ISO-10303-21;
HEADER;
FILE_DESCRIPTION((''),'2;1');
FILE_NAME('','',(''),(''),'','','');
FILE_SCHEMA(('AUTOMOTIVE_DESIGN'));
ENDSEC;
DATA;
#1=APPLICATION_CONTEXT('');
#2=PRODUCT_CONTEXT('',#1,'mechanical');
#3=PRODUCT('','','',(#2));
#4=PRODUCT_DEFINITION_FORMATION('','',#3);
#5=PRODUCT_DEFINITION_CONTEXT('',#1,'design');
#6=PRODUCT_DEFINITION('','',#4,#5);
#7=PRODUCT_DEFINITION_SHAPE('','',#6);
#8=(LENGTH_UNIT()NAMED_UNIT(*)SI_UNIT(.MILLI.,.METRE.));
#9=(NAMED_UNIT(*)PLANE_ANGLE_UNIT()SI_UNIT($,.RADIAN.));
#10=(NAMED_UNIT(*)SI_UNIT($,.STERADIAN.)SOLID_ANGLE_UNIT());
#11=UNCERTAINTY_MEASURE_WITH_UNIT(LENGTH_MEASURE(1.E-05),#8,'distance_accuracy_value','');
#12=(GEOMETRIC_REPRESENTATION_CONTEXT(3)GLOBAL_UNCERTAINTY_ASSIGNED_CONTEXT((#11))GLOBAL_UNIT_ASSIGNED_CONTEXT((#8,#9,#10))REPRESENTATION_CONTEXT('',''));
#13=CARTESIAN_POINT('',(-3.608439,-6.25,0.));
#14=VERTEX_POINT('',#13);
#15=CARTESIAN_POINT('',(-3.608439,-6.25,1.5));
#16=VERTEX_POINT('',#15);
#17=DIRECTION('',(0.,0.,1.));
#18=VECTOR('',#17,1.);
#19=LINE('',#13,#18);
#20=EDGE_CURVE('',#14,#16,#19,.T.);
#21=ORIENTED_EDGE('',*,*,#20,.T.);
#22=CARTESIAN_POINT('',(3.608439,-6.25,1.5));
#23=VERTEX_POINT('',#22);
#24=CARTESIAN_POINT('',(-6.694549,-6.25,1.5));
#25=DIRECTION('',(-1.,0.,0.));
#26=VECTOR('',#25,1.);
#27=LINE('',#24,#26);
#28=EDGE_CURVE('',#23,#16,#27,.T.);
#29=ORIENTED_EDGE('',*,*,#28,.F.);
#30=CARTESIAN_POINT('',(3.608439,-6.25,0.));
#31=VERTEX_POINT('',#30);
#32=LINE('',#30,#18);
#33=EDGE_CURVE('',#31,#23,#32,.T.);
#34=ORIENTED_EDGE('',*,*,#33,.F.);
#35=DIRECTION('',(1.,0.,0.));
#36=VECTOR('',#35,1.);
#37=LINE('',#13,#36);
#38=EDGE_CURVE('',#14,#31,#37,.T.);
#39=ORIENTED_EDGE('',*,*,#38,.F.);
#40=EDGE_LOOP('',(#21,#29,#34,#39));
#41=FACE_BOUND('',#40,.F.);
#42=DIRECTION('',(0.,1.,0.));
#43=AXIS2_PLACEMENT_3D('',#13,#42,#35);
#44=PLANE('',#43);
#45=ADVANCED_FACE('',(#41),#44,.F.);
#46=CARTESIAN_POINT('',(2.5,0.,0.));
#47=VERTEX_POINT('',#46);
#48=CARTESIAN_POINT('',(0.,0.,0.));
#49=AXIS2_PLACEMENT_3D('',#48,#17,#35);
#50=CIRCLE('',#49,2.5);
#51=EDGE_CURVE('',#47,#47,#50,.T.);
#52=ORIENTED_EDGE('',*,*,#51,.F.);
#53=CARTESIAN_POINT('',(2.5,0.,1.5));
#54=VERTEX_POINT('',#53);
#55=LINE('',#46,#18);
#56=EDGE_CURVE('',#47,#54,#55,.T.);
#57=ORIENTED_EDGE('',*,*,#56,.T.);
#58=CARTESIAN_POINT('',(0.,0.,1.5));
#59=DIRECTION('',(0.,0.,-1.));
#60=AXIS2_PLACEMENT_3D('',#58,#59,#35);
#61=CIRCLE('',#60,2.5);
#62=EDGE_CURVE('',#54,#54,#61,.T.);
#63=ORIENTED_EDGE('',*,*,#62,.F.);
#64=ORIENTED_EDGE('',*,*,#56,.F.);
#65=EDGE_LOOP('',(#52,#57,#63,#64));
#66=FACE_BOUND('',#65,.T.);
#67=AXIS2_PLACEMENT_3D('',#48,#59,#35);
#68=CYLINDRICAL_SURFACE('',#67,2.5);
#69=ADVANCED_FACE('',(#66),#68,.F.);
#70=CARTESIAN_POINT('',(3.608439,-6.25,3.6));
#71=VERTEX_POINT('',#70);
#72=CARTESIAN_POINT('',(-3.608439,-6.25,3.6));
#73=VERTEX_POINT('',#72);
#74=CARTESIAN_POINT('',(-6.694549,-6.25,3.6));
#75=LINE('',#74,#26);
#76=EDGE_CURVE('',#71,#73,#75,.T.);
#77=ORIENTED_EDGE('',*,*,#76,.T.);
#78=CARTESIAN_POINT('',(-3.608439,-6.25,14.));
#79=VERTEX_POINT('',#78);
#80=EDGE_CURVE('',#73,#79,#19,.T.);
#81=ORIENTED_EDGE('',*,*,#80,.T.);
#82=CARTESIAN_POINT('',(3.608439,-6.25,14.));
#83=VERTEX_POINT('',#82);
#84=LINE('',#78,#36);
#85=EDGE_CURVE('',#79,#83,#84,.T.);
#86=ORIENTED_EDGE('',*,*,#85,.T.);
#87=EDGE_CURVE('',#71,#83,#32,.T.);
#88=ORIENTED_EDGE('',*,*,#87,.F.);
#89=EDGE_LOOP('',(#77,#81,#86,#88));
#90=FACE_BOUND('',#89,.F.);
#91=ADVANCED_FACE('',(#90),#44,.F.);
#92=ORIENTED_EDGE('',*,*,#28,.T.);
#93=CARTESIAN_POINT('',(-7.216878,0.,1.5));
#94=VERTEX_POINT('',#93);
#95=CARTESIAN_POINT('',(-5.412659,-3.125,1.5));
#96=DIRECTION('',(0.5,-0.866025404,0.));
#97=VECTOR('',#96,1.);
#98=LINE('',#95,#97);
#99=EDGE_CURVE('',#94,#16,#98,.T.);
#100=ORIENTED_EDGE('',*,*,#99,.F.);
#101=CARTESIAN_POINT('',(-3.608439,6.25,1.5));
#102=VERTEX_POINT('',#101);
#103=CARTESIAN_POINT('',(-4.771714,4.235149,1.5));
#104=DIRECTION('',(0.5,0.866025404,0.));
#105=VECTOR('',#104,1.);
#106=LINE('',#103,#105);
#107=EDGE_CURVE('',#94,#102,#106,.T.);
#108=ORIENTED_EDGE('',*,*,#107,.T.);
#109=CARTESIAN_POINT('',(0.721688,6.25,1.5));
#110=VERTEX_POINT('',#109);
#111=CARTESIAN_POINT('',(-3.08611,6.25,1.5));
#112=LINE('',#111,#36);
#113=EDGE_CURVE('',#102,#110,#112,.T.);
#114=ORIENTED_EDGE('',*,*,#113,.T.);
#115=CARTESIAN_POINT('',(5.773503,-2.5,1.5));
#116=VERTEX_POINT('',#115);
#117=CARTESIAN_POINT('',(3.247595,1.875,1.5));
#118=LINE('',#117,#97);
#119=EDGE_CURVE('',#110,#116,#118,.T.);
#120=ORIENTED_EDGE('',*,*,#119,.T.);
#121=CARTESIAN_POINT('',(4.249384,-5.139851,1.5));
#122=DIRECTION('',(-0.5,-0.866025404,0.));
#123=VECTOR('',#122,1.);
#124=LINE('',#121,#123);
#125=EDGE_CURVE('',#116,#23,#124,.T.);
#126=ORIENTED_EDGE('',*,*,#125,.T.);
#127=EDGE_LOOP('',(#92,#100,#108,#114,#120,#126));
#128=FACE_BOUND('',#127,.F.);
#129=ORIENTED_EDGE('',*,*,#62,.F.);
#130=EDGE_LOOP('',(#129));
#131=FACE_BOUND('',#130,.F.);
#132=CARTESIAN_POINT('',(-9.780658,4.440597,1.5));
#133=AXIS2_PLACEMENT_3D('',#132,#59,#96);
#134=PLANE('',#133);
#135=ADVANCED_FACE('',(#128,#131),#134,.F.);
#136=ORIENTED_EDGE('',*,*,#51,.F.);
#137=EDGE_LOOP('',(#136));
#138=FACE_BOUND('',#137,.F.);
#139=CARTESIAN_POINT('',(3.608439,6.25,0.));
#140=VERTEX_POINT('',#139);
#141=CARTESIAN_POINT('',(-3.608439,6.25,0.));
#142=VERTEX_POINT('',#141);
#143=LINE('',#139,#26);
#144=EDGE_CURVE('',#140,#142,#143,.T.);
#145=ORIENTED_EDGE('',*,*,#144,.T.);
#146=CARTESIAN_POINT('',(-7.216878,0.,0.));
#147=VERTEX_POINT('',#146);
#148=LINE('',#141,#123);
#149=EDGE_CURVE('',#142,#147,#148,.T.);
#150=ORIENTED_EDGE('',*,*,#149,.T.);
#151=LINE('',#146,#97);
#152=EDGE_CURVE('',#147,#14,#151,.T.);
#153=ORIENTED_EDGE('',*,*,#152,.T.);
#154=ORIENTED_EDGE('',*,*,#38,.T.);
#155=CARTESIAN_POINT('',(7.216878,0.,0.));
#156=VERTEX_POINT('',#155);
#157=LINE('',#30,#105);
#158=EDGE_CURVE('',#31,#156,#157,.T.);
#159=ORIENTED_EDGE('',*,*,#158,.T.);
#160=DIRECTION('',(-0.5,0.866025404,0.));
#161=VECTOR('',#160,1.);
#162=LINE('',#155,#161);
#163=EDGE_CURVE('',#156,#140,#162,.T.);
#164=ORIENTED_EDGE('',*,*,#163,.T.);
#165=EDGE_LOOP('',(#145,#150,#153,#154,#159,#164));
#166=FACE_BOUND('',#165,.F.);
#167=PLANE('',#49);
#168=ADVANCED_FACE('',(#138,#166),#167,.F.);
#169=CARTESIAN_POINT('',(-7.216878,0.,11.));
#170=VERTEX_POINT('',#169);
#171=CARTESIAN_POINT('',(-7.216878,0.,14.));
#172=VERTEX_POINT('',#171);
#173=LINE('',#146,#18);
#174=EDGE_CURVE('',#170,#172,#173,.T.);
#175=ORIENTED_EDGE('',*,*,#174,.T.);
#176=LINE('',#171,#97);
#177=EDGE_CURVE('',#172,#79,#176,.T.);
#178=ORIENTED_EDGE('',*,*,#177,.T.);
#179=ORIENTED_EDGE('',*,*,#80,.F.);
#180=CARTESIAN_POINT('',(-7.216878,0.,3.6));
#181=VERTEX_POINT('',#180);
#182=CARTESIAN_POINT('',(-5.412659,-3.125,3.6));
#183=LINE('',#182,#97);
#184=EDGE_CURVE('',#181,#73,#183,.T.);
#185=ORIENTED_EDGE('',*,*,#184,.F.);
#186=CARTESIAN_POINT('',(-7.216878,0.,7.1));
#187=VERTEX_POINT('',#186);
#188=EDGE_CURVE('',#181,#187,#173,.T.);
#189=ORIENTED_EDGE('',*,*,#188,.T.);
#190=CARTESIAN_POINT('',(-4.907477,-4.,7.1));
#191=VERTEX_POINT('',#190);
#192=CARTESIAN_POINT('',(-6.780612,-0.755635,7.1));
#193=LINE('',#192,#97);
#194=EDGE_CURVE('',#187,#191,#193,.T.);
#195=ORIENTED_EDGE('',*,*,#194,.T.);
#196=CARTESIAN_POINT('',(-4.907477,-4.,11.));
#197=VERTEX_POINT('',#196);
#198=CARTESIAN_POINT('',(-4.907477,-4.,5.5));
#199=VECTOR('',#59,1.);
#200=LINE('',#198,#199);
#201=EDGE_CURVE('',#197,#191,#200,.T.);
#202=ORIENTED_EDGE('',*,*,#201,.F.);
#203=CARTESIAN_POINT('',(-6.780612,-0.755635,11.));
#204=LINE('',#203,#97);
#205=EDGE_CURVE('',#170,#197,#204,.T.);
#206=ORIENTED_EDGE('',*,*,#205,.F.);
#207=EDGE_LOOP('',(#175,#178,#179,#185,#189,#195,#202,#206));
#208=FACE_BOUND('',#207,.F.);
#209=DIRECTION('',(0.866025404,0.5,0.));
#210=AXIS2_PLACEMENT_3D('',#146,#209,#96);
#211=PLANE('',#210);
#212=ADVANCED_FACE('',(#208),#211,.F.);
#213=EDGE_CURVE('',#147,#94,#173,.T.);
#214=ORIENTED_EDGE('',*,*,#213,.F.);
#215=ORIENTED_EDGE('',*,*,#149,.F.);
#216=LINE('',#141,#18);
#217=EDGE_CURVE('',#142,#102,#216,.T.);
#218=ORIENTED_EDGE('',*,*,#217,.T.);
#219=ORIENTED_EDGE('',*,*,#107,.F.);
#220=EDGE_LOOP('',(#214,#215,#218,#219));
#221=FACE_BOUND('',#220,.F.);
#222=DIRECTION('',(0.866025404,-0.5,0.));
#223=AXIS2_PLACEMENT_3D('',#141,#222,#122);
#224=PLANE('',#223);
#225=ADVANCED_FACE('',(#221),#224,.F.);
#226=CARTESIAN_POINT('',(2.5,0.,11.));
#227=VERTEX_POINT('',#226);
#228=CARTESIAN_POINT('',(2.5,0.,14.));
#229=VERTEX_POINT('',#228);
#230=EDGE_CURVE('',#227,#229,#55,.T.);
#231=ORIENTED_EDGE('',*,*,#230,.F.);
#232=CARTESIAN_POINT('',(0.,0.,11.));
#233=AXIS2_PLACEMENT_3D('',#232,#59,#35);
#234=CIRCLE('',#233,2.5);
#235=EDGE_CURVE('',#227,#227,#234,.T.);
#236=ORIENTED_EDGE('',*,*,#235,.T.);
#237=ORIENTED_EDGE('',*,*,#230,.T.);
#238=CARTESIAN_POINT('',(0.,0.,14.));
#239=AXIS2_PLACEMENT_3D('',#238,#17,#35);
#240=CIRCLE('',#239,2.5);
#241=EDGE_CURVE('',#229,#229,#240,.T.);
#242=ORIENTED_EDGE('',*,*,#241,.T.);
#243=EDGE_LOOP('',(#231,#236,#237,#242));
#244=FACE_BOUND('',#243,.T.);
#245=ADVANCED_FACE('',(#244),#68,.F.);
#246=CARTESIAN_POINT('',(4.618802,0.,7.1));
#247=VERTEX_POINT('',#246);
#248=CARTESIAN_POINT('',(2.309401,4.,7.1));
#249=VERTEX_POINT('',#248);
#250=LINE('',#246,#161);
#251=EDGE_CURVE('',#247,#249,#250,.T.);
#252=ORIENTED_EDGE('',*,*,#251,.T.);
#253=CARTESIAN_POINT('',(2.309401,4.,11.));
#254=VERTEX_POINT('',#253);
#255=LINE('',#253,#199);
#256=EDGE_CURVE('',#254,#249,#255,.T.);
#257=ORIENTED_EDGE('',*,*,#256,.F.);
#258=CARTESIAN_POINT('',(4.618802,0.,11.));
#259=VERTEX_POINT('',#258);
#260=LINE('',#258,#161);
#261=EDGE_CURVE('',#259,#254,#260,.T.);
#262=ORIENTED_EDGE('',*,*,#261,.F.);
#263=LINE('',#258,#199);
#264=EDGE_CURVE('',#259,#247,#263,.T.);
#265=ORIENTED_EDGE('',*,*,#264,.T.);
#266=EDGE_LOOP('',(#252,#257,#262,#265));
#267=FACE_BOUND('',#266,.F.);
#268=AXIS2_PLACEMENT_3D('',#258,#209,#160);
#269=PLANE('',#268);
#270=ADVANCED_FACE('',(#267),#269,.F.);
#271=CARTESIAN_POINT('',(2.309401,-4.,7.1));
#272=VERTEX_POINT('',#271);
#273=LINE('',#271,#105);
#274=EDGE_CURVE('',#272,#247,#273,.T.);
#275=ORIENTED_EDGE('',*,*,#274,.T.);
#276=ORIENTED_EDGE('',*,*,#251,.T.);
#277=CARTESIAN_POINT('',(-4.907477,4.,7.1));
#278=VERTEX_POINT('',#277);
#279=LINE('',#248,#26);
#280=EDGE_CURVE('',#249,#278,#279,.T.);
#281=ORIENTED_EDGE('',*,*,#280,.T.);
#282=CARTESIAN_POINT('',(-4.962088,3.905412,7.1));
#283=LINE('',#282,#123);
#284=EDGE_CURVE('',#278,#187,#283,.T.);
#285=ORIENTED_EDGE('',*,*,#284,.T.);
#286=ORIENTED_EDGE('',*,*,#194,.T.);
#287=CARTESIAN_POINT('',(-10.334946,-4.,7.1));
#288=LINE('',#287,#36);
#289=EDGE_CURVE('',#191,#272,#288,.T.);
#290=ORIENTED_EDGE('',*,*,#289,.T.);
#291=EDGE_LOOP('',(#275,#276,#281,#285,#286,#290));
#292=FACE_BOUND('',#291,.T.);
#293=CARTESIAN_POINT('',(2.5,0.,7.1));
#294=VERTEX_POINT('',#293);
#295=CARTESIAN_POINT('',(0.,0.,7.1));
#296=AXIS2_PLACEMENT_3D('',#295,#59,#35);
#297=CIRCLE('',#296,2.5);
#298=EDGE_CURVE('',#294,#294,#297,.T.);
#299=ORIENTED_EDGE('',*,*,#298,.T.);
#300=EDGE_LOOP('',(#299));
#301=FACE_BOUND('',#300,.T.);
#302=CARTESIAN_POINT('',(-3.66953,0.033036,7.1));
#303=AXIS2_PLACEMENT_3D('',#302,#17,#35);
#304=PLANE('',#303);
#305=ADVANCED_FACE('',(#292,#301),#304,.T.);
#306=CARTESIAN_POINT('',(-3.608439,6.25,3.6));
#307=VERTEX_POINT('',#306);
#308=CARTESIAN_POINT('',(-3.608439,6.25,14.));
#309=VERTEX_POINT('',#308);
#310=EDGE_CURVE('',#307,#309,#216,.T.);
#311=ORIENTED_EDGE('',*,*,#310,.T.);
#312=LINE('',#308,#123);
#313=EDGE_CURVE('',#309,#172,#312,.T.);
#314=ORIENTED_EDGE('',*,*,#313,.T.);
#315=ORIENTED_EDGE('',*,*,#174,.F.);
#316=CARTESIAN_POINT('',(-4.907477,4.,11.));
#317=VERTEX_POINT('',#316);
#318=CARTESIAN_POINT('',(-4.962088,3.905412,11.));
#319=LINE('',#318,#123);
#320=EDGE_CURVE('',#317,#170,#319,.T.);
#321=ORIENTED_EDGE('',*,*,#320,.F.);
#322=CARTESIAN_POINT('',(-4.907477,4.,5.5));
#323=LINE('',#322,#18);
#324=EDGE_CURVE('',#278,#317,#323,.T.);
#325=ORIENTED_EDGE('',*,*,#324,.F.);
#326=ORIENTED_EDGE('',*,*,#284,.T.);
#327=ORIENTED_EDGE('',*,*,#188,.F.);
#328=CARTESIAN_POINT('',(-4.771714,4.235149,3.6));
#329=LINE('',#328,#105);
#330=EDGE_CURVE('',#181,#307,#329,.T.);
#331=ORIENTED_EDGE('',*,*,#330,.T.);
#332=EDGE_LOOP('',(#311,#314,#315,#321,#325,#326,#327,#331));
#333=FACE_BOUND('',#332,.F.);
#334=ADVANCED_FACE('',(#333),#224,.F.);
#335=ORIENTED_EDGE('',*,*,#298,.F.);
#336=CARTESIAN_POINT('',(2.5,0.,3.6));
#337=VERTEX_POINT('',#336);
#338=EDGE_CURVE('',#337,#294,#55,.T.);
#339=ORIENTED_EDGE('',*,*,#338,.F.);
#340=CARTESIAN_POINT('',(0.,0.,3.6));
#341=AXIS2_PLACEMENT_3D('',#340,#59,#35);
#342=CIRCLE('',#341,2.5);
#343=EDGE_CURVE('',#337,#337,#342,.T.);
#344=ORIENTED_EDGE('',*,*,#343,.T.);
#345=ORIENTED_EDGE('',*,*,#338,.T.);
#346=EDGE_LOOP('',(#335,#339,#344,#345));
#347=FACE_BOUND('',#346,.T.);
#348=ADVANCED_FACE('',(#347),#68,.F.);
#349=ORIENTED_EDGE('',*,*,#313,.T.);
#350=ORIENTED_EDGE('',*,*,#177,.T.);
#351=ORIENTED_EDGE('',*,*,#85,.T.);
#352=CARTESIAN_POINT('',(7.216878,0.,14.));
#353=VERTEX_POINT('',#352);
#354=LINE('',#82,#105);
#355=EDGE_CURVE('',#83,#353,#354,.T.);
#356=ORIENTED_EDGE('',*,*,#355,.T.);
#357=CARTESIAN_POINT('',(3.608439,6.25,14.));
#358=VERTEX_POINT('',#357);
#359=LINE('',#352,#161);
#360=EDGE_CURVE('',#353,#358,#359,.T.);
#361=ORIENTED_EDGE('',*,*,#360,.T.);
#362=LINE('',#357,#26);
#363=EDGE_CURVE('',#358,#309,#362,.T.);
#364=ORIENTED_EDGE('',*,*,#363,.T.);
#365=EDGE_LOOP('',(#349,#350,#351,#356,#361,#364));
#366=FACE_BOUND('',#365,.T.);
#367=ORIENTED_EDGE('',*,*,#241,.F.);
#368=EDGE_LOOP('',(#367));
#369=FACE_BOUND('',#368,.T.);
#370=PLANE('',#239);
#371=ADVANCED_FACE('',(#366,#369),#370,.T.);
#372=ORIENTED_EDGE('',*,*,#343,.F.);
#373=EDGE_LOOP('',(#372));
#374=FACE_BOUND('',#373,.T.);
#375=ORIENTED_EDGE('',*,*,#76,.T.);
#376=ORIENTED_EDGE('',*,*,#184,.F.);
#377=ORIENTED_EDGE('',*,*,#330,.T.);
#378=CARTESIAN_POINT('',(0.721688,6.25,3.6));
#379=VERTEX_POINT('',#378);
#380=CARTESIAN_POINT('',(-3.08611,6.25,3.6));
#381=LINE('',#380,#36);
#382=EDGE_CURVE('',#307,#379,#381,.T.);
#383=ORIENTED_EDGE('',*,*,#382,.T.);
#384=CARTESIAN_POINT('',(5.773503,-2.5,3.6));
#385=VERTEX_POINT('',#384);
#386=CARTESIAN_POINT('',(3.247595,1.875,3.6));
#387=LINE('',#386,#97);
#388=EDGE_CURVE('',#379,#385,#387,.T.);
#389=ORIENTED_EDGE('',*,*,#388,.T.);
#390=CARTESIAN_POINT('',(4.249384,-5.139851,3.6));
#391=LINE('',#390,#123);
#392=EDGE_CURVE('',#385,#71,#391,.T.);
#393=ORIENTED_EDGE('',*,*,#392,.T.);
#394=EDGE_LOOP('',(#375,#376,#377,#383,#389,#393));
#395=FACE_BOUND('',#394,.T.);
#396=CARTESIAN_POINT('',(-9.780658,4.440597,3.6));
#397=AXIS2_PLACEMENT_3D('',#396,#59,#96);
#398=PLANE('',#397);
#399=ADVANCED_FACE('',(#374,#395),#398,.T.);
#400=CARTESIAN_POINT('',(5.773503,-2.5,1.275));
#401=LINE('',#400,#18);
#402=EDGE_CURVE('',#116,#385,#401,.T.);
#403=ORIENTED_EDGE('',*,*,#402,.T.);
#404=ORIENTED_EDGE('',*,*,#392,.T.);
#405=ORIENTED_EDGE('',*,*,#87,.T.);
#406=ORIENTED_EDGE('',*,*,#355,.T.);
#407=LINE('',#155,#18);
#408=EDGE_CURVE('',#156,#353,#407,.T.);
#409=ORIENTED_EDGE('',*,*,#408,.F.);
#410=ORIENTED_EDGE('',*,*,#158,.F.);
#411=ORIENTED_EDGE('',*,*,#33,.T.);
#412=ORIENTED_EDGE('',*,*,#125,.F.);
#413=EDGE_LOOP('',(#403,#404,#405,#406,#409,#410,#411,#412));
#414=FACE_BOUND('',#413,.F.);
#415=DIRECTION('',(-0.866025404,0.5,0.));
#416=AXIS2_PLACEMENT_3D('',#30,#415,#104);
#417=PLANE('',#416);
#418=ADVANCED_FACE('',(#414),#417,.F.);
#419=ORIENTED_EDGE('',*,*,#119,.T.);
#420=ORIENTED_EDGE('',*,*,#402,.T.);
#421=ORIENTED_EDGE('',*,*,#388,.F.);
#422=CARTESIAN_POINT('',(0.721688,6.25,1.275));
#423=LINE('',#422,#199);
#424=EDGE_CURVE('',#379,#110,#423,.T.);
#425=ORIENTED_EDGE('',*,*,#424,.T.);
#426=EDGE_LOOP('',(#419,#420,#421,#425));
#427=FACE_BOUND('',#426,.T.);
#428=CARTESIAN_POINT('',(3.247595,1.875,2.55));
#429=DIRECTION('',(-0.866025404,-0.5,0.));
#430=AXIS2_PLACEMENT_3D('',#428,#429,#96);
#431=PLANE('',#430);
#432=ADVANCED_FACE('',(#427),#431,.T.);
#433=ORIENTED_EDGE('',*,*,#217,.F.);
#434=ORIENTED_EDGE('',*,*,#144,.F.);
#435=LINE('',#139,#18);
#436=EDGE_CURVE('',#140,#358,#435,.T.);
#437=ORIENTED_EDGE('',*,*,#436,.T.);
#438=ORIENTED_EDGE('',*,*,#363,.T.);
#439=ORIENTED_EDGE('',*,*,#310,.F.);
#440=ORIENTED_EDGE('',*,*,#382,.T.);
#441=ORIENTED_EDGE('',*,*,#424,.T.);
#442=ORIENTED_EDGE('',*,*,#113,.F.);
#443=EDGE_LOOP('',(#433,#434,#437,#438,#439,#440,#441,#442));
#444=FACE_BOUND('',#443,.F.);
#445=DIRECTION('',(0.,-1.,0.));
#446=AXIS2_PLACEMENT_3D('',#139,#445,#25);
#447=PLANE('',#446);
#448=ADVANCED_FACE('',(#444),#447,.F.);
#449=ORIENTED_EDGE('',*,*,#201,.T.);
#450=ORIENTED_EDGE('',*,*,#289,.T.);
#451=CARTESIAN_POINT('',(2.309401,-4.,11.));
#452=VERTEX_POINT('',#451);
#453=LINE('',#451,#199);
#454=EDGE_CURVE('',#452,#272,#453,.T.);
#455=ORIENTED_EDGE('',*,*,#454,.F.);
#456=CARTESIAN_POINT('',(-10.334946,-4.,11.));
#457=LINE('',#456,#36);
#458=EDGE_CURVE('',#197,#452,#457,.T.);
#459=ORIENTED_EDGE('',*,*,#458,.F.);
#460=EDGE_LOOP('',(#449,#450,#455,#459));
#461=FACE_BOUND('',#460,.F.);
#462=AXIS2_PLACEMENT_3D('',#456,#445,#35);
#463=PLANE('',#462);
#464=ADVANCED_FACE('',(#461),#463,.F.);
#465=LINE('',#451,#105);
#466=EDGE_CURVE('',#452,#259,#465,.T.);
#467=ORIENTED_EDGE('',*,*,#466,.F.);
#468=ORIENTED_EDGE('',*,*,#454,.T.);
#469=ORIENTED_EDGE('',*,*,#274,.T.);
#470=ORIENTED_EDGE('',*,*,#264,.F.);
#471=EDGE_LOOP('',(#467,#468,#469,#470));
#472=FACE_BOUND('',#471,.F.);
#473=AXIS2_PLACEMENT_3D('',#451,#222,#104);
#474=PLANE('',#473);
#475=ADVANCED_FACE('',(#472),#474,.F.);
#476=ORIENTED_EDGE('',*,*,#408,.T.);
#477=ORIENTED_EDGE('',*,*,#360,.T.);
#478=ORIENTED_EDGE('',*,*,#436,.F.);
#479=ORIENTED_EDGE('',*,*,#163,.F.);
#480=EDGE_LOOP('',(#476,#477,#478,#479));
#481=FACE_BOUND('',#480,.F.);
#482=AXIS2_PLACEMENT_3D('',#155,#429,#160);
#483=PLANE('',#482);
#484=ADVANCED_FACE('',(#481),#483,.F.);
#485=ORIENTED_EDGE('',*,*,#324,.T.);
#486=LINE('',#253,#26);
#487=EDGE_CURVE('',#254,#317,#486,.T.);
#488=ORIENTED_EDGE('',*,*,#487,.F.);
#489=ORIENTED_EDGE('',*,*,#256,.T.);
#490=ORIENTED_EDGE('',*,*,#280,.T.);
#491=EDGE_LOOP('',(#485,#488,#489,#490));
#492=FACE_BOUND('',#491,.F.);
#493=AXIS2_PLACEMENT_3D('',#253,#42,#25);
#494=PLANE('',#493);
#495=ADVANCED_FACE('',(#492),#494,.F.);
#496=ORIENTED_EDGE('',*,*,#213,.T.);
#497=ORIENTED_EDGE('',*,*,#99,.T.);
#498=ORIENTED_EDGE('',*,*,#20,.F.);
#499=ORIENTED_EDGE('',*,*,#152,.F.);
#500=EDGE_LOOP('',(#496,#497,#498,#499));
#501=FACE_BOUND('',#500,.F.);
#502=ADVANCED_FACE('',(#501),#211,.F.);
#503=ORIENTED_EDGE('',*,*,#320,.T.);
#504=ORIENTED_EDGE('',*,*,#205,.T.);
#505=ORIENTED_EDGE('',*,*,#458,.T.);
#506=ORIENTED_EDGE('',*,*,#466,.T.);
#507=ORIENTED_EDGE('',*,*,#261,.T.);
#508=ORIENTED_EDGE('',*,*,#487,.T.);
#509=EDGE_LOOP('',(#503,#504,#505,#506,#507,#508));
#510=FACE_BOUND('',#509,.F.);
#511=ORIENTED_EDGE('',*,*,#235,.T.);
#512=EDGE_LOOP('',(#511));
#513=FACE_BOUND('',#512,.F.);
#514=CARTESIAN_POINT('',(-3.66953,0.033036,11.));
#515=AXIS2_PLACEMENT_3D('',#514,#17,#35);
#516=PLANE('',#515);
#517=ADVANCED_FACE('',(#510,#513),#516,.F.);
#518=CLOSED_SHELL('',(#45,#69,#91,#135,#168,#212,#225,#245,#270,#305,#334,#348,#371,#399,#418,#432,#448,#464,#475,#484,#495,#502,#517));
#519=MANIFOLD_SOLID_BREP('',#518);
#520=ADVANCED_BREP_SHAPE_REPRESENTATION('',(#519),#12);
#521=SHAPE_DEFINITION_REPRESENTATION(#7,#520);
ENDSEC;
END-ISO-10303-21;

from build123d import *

# Parameters (mm, degrees)
F0_R     = 2.5
F1_DEPTH = 14
F2_W     = 17.4719977542
F2_H     = 2.1
F3_DEPTH = 10
F5_START = -3
F5_DEPTH = 3.9


with BuildPart() as f1:
    # F0 (on Top) → F1 (new body)
    with BuildSketch(Plane.XY):
        Polygon((-3.6084391824, -6.25), (3.6084391824, -6.25), (7.2168783649, 0), (3.6084391824, 6.25), (-3.6084391824, 6.25), (-7.2168783649, 0), align=None)
        Circle(F0_R, mode=Mode.SUBTRACT)
    extrude(amount=F1_DEPTH)

    # F2 (on face) → F3 (cut)
    with BuildSketch(Plane(origin=(-5.4126587737, -3.125, 0), x_dir=(0.5, -0.8660254038, 0), z_dir=(-0.8660254038, -0.5, 0))):
        with Locations((0, 2.55)):
            Rectangle(F2_W, F2_H)
    extrude(amount=-F3_DEPTH, mode=Mode.SUBTRACT)

    # F4 (on face) → F5 (cut)
    with BuildSketch(Plane.XY.offset(14).offset(F5_START)):
        Polygon((2.3094010768, 4), (-2.3094010768, 4), (-10.6891589239, 4), (-10.3349462152, -4), (-2.3094010768, -4), (2.3094010768, -4), (4.6188021535, 0), align=None)
    extrude(amount=-F5_DEPTH, mode=Mode.SUBTRACT)


solid = f1.part
